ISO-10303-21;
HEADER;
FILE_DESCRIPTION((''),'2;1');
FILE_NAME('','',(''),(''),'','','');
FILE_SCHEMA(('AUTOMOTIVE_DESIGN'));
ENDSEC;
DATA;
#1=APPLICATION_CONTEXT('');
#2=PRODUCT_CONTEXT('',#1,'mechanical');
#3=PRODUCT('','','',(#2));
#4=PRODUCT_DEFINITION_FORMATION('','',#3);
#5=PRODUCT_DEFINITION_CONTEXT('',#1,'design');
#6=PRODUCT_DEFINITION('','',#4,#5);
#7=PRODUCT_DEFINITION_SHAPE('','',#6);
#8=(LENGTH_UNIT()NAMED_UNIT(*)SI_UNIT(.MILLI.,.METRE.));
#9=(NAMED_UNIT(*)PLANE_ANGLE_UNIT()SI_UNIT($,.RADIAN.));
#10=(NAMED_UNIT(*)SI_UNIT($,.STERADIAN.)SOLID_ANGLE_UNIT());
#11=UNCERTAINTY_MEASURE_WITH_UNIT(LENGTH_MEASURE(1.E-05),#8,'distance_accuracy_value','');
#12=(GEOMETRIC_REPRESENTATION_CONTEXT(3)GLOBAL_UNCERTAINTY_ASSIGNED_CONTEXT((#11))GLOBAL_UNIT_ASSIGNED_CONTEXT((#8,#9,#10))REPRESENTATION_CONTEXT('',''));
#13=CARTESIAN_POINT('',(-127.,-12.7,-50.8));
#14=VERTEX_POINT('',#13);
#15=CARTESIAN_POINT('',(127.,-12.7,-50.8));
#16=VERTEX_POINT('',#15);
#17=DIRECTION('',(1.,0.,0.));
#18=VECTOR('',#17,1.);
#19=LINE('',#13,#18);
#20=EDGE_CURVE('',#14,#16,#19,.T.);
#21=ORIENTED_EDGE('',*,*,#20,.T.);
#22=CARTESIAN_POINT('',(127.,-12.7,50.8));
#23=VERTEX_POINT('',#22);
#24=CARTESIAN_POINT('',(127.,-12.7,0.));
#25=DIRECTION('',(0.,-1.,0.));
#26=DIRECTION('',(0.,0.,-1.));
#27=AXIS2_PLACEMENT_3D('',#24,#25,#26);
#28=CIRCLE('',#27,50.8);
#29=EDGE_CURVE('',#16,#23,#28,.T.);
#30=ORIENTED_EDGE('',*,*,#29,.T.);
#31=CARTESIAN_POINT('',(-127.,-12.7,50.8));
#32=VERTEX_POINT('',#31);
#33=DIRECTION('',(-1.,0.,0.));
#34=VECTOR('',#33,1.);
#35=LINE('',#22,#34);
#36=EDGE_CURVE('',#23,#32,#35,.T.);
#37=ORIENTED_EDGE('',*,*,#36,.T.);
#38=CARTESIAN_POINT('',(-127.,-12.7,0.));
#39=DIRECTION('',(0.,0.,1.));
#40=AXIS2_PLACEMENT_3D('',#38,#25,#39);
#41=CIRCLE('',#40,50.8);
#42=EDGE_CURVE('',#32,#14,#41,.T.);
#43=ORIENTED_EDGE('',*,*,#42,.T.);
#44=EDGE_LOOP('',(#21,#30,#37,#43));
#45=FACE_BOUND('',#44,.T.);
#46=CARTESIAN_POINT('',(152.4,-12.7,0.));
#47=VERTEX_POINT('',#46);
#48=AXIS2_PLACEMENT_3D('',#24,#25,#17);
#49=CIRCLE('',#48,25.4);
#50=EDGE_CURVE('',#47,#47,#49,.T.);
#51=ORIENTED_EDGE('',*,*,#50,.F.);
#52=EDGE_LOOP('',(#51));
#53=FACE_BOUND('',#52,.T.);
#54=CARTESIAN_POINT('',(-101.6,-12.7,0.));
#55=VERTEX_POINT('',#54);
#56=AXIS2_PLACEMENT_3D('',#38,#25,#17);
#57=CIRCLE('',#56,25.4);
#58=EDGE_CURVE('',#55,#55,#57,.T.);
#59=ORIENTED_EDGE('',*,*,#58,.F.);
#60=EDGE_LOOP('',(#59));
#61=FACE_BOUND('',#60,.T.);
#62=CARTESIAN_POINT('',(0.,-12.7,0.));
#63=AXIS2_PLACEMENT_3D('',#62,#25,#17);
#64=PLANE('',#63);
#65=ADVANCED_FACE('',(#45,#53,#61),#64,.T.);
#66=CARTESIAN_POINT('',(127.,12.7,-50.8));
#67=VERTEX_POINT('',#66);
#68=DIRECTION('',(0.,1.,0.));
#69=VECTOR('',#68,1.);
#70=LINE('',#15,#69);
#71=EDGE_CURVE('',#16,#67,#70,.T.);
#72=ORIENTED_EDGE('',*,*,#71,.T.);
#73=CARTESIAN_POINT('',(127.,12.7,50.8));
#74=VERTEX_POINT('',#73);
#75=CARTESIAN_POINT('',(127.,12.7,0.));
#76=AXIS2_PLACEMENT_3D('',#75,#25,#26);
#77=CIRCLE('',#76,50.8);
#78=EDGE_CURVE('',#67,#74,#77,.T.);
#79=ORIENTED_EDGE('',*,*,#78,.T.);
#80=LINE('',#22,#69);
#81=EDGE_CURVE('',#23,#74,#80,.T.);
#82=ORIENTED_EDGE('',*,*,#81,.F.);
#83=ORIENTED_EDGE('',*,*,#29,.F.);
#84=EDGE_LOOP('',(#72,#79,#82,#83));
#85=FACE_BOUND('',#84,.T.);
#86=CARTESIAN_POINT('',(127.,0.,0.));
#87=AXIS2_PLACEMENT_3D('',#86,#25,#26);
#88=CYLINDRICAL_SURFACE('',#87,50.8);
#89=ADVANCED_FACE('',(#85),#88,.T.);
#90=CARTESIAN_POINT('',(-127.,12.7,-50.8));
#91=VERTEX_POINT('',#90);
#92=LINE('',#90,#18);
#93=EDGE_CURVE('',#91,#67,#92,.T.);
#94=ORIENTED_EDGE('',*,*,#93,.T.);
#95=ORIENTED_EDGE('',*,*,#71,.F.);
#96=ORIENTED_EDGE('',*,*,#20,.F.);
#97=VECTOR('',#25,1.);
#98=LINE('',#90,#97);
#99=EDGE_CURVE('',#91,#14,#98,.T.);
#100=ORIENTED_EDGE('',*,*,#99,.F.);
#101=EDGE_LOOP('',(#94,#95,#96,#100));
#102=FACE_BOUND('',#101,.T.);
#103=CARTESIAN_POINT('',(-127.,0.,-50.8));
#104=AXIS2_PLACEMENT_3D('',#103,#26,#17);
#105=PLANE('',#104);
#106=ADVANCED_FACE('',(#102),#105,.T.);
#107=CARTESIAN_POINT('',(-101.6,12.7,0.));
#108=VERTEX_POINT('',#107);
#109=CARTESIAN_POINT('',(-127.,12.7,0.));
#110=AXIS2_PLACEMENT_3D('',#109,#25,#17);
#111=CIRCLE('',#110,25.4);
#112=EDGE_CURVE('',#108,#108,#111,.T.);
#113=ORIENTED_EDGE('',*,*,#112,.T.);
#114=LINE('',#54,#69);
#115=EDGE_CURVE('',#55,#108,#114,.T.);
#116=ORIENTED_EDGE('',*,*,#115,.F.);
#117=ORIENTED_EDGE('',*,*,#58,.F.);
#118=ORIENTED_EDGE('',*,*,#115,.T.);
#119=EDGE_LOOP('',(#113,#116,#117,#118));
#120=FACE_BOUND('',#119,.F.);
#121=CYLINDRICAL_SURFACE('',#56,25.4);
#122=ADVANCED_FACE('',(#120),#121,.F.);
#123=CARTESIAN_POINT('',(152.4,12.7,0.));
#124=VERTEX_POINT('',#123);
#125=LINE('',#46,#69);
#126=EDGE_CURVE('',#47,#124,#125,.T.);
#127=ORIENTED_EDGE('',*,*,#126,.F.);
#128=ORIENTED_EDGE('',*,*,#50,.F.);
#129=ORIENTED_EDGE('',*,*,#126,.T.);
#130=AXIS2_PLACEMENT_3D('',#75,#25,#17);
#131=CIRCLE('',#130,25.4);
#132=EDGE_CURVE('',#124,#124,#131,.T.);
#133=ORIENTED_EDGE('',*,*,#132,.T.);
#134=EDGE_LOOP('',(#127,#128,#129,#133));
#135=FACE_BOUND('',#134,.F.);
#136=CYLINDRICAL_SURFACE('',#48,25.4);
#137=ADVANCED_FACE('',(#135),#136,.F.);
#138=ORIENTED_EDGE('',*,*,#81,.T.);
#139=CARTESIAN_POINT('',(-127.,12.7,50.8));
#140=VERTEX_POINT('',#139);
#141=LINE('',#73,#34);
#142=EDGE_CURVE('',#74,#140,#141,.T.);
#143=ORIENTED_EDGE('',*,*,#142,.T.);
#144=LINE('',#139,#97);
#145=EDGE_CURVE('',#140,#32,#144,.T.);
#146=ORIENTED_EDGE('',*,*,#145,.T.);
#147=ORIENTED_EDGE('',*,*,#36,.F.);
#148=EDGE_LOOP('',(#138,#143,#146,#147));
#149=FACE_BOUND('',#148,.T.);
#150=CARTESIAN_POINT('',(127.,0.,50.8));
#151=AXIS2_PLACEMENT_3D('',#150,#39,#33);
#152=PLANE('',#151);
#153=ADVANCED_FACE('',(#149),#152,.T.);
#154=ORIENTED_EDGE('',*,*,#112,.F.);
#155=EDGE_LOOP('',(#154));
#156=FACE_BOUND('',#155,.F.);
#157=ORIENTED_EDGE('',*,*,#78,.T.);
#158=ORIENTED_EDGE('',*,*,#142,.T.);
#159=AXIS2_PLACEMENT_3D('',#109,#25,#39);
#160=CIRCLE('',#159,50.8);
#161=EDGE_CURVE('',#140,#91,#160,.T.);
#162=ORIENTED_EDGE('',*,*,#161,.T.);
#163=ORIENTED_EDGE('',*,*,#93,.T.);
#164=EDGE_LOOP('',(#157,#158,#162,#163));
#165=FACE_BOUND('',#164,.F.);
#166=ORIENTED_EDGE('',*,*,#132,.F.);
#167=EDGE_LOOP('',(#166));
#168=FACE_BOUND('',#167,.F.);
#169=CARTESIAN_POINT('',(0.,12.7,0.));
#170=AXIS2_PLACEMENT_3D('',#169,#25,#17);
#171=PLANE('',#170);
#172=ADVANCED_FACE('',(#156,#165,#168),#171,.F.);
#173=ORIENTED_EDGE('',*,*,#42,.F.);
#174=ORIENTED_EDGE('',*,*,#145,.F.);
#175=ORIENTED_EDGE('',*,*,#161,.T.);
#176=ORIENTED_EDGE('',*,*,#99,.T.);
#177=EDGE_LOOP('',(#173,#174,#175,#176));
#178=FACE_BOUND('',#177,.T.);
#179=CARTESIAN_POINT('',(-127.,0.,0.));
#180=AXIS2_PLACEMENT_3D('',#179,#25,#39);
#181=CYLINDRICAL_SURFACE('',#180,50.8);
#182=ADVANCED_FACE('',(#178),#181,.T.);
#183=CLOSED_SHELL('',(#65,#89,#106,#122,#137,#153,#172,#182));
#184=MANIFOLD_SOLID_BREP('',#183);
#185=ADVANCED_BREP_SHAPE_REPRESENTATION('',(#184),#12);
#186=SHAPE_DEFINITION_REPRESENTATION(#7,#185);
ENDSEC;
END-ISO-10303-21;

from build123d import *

# Parameters (mm, degrees)
F1_DEPTH = 12.7
F2_R     = 25.4
F3_DEPTH = 25.401


with BuildPart() as f1:
    # F0 (on Front) → F1 (new body, symmetric)
    with BuildSketch(Plane.XZ):
        with BuildLine():
            Line((127, 50.8), (-127, 50.8))
            ThreePointArc((-127, 50.8), (-177.8, 0), (-127, -50.8))
            Line((-127, -50.8), (127, -50.8))
            ThreePointArc((127, -50.8), (177.8, 0), (127, 50.8))
        make_face()
    extrude(amount=F1_DEPTH, both=True)

    # F2 (on face) → F3 (cut, through all)
    with BuildSketch(Plane.XZ.offset(12.7)):
        with Locations((-127, 0)):
            Circle(F2_R)
        with Locations((127, 0)):
            Circle(F2_R)
    extrude(amount=-F3_DEPTH, mode=Mode.SUBTRACT)


solid = f1.part
